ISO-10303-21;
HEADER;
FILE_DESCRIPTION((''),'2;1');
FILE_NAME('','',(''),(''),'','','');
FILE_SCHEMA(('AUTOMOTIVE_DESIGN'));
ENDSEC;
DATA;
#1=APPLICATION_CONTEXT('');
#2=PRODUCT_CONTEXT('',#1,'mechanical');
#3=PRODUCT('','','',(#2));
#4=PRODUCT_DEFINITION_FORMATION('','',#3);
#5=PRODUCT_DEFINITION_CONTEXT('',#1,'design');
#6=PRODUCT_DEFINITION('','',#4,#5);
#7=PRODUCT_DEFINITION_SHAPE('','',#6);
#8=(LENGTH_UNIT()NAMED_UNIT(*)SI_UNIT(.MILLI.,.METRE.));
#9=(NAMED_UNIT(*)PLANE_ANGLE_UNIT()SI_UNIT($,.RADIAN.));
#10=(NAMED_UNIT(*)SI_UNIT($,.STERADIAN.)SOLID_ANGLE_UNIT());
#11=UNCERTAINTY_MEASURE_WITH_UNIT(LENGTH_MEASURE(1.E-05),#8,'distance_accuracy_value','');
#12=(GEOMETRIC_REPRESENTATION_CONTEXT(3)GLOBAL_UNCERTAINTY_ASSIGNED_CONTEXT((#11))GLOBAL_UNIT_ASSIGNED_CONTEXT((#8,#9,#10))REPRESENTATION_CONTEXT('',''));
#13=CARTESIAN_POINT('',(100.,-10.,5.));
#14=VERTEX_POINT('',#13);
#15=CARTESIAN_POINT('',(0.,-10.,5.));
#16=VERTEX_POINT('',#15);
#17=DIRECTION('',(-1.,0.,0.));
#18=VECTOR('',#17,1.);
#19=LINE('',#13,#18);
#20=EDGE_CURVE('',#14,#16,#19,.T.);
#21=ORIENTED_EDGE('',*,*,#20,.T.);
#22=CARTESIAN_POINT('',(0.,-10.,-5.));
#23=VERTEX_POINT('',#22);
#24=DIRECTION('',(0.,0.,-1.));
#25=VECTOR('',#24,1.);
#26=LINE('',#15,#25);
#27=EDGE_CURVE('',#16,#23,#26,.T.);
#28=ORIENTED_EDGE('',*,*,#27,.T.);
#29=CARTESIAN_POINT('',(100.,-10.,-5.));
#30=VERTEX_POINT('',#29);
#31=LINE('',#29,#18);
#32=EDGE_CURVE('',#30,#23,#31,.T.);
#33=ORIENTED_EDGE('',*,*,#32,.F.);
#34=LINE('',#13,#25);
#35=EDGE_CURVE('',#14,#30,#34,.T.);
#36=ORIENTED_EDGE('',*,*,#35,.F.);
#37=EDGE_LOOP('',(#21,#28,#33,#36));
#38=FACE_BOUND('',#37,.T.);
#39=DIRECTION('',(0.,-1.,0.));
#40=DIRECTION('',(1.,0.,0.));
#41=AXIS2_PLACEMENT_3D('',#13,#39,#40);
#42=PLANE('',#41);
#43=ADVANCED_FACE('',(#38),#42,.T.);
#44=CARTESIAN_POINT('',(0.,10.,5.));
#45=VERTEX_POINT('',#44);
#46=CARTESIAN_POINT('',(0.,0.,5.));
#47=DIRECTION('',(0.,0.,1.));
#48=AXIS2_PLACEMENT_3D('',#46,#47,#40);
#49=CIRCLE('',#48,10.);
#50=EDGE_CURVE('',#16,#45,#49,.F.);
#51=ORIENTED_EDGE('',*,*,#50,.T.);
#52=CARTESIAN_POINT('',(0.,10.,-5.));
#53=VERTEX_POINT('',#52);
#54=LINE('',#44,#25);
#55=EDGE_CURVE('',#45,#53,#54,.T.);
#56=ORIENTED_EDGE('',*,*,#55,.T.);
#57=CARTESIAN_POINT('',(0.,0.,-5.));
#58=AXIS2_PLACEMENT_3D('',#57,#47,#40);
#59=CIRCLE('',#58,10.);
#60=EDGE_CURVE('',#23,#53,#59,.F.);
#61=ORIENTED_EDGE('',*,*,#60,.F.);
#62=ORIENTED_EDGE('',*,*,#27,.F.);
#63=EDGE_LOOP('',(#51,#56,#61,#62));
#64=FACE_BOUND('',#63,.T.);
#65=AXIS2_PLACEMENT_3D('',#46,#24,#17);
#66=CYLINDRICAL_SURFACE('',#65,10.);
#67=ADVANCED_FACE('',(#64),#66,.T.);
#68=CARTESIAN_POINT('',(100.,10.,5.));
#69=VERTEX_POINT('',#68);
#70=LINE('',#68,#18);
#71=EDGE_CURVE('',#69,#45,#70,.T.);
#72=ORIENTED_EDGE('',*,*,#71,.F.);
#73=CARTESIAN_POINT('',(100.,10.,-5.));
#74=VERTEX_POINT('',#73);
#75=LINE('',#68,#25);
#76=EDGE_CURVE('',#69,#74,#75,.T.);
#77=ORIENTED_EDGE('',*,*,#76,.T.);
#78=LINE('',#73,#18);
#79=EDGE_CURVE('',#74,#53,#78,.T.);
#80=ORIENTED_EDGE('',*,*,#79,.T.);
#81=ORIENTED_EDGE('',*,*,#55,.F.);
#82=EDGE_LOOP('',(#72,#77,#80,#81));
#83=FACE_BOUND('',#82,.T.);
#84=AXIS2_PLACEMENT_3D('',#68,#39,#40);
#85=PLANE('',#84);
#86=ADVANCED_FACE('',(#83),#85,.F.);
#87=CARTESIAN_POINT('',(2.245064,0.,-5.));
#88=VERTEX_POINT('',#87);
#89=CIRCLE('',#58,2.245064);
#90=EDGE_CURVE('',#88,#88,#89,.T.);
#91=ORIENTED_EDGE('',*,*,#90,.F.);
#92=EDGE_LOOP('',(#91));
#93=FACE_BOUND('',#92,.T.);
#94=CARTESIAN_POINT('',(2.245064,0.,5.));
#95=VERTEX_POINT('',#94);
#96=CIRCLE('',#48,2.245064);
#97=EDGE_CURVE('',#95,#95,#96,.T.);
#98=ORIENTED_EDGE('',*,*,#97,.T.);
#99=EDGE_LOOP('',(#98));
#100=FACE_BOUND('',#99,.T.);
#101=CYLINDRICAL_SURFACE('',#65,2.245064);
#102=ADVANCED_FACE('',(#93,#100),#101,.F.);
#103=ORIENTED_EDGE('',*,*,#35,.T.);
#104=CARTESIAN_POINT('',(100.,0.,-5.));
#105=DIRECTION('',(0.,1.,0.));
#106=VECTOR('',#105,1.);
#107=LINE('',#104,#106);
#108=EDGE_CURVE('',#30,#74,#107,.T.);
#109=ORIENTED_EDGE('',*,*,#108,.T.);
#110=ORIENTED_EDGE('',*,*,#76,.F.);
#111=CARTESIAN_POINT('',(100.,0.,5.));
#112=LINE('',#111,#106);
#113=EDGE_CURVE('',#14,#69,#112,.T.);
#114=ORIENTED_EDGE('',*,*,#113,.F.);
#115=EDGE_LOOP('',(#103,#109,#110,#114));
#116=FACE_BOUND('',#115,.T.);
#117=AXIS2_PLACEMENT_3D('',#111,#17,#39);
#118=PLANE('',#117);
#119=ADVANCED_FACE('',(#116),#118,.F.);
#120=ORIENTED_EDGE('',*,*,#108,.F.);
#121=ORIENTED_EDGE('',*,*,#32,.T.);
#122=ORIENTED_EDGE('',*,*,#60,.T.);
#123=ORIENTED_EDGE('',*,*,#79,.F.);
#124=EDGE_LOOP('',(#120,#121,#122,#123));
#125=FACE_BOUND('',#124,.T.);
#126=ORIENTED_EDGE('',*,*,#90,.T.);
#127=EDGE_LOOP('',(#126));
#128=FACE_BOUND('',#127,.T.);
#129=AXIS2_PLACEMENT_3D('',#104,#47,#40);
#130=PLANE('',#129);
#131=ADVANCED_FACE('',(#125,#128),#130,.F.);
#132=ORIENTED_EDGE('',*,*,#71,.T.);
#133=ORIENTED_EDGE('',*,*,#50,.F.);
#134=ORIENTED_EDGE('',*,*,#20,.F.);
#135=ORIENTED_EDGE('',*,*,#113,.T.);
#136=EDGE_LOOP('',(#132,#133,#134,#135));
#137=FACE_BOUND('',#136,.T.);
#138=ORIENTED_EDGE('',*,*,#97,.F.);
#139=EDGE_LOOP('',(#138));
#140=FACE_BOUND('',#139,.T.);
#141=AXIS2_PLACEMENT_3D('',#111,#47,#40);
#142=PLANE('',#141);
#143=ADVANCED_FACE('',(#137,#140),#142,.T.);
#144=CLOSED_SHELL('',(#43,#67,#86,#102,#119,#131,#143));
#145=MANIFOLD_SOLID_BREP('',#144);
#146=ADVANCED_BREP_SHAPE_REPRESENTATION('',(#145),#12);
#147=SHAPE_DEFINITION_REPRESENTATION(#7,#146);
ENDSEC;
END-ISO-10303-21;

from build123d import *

# Parameters (mm, degrees)
BOSS_EXTRUDE1_DEPTH   = 10
BODY_MOVE_COPY1_ANGLE = 120


with BuildPart() as part:
    # Sketch1 → Boss-Extrude1 (new body)
    with BuildSketch(Plane(origin=(0, 0, 0), x_dir=(1, 0, 0), z_dir=(0, 1, 0))):
        with BuildLine():
            Line((-10, 0), (10, 0))
            Line((10, 0), (10, 100))
            ThreePointArc((10, 100), (0, 110), (-10, 100))
            Line((-10, 100), (-10, 0))
        make_face()
        with BuildLine():
            ThreePointArc((1.5875, 98.4125), (0, 97.75493597), (-1.5875, 98.4125))
            ThreePointArc((-1.5875, 98.4125), (-2.24506403, 100), (-1.5875, 101.5875))
            ThreePointArc((-1.5875, 101.5875), (0, 102.24506403), (1.5875, 101.5875))
            ThreePointArc((1.5875, 101.5875), (2.074168707, 100.859148809), (2.24506403, 100))
            ThreePointArc((2.24506403, 100), (2.074168707, 99.140851191), (1.5875, 98.4125))
        make_face(mode=Mode.SUBTRACT)
    extrude(amount=BOSS_EXTRUDE1_DEPTH)


with BuildPart() as part_1:
    # Body-Move/Copy1: moved
    add(part.part.moved(Location((0, 0, 0))).rotate(Axis((-1.666666667, 3.333333333, -1.666666667), (0.5773502691894747, 0.5773502691901298, 0.5773502691892728)), BODY_MOVE_COPY1_ANGLE))


with BuildPart() as part_2:
    # Body-Move/Copy2: moved
    add(part_1.part.moved(Location((100, -5, 0))))


solid = part_2.part
